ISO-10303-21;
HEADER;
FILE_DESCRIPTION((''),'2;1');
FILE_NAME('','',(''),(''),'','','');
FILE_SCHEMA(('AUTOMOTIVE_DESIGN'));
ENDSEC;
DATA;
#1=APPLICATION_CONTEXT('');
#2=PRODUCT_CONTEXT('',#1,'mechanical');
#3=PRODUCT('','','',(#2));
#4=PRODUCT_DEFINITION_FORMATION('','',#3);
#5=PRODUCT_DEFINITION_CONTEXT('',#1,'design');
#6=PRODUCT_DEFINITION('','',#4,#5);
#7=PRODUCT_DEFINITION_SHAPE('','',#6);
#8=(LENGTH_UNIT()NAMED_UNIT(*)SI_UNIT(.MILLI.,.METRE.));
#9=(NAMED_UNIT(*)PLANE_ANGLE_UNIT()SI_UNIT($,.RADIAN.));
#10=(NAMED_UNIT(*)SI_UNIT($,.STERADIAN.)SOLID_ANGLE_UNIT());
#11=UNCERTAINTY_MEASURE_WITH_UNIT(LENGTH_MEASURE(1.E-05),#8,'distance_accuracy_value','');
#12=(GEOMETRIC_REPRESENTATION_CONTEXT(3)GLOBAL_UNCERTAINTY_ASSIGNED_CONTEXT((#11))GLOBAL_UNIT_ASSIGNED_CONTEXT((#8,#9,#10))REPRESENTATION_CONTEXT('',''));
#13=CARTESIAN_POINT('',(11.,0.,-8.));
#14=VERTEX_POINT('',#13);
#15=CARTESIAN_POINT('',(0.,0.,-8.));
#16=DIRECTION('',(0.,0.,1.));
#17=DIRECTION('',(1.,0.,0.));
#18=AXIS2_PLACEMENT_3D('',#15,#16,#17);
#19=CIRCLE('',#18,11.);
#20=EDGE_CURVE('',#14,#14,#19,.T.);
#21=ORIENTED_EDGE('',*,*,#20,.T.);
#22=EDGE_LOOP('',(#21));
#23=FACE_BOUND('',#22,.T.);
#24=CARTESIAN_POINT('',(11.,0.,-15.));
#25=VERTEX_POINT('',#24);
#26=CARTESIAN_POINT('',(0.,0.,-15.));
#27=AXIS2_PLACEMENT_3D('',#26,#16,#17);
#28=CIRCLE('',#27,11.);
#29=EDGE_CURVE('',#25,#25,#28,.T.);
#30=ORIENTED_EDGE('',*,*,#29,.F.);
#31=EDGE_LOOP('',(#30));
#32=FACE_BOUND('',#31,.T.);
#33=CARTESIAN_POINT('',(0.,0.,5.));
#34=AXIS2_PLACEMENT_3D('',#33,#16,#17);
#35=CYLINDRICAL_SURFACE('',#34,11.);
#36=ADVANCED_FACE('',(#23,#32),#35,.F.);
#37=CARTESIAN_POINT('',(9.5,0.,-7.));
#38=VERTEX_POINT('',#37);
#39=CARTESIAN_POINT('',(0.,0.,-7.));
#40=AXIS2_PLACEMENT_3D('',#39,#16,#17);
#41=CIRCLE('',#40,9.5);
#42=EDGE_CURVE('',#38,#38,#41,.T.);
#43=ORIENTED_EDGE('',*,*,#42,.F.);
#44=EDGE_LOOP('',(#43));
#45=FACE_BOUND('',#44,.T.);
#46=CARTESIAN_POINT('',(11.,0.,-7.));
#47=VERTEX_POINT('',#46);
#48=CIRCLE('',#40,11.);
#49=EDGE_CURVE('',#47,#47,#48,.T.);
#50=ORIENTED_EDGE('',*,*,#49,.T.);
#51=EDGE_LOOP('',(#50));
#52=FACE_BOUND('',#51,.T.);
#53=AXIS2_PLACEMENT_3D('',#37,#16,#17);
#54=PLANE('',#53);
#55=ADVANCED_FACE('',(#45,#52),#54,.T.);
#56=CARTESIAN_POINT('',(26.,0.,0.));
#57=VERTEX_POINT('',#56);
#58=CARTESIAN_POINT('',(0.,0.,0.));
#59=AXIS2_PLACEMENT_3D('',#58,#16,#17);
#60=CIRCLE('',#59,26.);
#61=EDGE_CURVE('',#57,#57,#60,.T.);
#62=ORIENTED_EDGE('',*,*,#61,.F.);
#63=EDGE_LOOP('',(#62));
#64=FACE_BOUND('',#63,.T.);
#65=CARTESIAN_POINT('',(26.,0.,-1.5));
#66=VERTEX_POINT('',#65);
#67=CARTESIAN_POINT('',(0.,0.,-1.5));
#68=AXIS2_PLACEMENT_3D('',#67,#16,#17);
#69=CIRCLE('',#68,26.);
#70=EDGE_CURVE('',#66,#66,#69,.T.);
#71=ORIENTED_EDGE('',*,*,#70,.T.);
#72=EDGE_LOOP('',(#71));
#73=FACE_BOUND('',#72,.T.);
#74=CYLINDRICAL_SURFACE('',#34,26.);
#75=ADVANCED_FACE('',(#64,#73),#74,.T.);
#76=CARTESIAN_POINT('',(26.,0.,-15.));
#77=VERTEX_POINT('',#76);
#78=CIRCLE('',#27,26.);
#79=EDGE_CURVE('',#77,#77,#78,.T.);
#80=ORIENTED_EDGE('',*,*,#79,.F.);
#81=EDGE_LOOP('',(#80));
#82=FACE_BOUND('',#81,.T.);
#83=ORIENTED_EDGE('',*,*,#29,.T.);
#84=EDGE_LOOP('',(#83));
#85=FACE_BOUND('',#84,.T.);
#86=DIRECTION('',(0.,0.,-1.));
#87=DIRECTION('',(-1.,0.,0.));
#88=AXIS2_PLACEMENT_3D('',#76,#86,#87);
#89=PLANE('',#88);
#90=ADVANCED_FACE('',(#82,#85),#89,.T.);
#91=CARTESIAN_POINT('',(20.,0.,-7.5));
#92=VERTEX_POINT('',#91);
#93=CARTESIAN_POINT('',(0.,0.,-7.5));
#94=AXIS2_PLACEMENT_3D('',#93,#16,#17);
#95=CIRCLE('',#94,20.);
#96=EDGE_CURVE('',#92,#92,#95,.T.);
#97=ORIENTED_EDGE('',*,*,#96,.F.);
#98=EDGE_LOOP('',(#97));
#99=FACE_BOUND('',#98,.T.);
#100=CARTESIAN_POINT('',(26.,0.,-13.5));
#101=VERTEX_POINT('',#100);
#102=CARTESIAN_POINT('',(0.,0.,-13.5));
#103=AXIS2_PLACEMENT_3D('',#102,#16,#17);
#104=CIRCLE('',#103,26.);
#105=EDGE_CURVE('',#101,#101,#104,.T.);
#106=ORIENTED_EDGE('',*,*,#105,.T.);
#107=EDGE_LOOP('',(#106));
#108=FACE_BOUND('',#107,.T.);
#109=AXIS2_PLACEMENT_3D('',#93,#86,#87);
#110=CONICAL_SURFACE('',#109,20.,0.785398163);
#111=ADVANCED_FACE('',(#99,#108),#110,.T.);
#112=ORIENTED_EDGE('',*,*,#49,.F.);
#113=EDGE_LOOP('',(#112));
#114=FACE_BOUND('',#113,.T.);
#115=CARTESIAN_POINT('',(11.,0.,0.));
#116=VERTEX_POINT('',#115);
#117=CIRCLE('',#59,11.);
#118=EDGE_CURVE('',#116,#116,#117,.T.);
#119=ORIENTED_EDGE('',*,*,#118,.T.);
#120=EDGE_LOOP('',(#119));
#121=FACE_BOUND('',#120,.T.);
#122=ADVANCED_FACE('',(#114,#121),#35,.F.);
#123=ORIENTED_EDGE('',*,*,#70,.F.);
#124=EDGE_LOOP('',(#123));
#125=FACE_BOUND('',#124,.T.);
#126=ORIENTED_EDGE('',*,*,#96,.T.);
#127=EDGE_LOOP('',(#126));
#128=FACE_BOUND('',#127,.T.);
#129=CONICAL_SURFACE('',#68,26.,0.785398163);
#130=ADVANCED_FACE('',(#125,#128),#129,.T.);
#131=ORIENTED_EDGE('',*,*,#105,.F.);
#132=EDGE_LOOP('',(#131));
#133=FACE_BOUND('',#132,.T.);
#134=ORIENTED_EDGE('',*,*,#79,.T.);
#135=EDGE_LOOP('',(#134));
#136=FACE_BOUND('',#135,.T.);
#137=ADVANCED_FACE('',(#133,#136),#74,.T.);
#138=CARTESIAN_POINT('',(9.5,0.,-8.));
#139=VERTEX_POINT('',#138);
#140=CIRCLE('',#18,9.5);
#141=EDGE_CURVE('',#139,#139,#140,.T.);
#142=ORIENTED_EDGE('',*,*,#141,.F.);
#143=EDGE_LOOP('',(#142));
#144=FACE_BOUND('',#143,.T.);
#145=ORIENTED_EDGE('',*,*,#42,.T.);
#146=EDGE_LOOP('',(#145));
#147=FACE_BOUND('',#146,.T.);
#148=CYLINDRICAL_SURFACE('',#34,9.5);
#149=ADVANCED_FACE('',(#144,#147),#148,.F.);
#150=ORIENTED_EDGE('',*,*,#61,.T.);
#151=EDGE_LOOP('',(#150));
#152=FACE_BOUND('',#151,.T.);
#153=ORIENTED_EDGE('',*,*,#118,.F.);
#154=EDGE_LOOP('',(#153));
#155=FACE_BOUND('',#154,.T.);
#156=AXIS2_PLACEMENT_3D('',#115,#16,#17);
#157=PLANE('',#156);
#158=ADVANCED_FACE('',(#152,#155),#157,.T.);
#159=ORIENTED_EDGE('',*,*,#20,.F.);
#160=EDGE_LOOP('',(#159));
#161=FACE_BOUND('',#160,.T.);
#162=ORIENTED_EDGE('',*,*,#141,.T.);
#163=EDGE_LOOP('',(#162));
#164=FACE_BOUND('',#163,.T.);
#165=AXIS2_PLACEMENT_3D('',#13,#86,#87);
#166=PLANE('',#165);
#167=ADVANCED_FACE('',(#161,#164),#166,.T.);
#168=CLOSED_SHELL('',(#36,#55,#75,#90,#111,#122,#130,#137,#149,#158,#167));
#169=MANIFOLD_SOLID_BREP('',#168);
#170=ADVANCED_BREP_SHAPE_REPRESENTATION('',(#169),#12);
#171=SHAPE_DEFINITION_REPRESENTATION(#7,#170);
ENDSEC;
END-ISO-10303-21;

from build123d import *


with BuildPart() as part:
    # 草图1 → 旋转1 (revolve)
    with BuildSketch(Plane(origin=(0, 0, 0), x_dir=(1, 0, 0), z_dir=(0, 1, 0))):
        Polygon((11, 0), (26, 0), (26, 1.5), (20, 7.5), (26, 13.5), (26, 15), (11, 15), (11, 8), (9.5, 8), (9.5, 7), (11, 7), align=None)
    revolve(axis=Axis((0, 0, 5), (0, 0, -1)))


solid = part.part
